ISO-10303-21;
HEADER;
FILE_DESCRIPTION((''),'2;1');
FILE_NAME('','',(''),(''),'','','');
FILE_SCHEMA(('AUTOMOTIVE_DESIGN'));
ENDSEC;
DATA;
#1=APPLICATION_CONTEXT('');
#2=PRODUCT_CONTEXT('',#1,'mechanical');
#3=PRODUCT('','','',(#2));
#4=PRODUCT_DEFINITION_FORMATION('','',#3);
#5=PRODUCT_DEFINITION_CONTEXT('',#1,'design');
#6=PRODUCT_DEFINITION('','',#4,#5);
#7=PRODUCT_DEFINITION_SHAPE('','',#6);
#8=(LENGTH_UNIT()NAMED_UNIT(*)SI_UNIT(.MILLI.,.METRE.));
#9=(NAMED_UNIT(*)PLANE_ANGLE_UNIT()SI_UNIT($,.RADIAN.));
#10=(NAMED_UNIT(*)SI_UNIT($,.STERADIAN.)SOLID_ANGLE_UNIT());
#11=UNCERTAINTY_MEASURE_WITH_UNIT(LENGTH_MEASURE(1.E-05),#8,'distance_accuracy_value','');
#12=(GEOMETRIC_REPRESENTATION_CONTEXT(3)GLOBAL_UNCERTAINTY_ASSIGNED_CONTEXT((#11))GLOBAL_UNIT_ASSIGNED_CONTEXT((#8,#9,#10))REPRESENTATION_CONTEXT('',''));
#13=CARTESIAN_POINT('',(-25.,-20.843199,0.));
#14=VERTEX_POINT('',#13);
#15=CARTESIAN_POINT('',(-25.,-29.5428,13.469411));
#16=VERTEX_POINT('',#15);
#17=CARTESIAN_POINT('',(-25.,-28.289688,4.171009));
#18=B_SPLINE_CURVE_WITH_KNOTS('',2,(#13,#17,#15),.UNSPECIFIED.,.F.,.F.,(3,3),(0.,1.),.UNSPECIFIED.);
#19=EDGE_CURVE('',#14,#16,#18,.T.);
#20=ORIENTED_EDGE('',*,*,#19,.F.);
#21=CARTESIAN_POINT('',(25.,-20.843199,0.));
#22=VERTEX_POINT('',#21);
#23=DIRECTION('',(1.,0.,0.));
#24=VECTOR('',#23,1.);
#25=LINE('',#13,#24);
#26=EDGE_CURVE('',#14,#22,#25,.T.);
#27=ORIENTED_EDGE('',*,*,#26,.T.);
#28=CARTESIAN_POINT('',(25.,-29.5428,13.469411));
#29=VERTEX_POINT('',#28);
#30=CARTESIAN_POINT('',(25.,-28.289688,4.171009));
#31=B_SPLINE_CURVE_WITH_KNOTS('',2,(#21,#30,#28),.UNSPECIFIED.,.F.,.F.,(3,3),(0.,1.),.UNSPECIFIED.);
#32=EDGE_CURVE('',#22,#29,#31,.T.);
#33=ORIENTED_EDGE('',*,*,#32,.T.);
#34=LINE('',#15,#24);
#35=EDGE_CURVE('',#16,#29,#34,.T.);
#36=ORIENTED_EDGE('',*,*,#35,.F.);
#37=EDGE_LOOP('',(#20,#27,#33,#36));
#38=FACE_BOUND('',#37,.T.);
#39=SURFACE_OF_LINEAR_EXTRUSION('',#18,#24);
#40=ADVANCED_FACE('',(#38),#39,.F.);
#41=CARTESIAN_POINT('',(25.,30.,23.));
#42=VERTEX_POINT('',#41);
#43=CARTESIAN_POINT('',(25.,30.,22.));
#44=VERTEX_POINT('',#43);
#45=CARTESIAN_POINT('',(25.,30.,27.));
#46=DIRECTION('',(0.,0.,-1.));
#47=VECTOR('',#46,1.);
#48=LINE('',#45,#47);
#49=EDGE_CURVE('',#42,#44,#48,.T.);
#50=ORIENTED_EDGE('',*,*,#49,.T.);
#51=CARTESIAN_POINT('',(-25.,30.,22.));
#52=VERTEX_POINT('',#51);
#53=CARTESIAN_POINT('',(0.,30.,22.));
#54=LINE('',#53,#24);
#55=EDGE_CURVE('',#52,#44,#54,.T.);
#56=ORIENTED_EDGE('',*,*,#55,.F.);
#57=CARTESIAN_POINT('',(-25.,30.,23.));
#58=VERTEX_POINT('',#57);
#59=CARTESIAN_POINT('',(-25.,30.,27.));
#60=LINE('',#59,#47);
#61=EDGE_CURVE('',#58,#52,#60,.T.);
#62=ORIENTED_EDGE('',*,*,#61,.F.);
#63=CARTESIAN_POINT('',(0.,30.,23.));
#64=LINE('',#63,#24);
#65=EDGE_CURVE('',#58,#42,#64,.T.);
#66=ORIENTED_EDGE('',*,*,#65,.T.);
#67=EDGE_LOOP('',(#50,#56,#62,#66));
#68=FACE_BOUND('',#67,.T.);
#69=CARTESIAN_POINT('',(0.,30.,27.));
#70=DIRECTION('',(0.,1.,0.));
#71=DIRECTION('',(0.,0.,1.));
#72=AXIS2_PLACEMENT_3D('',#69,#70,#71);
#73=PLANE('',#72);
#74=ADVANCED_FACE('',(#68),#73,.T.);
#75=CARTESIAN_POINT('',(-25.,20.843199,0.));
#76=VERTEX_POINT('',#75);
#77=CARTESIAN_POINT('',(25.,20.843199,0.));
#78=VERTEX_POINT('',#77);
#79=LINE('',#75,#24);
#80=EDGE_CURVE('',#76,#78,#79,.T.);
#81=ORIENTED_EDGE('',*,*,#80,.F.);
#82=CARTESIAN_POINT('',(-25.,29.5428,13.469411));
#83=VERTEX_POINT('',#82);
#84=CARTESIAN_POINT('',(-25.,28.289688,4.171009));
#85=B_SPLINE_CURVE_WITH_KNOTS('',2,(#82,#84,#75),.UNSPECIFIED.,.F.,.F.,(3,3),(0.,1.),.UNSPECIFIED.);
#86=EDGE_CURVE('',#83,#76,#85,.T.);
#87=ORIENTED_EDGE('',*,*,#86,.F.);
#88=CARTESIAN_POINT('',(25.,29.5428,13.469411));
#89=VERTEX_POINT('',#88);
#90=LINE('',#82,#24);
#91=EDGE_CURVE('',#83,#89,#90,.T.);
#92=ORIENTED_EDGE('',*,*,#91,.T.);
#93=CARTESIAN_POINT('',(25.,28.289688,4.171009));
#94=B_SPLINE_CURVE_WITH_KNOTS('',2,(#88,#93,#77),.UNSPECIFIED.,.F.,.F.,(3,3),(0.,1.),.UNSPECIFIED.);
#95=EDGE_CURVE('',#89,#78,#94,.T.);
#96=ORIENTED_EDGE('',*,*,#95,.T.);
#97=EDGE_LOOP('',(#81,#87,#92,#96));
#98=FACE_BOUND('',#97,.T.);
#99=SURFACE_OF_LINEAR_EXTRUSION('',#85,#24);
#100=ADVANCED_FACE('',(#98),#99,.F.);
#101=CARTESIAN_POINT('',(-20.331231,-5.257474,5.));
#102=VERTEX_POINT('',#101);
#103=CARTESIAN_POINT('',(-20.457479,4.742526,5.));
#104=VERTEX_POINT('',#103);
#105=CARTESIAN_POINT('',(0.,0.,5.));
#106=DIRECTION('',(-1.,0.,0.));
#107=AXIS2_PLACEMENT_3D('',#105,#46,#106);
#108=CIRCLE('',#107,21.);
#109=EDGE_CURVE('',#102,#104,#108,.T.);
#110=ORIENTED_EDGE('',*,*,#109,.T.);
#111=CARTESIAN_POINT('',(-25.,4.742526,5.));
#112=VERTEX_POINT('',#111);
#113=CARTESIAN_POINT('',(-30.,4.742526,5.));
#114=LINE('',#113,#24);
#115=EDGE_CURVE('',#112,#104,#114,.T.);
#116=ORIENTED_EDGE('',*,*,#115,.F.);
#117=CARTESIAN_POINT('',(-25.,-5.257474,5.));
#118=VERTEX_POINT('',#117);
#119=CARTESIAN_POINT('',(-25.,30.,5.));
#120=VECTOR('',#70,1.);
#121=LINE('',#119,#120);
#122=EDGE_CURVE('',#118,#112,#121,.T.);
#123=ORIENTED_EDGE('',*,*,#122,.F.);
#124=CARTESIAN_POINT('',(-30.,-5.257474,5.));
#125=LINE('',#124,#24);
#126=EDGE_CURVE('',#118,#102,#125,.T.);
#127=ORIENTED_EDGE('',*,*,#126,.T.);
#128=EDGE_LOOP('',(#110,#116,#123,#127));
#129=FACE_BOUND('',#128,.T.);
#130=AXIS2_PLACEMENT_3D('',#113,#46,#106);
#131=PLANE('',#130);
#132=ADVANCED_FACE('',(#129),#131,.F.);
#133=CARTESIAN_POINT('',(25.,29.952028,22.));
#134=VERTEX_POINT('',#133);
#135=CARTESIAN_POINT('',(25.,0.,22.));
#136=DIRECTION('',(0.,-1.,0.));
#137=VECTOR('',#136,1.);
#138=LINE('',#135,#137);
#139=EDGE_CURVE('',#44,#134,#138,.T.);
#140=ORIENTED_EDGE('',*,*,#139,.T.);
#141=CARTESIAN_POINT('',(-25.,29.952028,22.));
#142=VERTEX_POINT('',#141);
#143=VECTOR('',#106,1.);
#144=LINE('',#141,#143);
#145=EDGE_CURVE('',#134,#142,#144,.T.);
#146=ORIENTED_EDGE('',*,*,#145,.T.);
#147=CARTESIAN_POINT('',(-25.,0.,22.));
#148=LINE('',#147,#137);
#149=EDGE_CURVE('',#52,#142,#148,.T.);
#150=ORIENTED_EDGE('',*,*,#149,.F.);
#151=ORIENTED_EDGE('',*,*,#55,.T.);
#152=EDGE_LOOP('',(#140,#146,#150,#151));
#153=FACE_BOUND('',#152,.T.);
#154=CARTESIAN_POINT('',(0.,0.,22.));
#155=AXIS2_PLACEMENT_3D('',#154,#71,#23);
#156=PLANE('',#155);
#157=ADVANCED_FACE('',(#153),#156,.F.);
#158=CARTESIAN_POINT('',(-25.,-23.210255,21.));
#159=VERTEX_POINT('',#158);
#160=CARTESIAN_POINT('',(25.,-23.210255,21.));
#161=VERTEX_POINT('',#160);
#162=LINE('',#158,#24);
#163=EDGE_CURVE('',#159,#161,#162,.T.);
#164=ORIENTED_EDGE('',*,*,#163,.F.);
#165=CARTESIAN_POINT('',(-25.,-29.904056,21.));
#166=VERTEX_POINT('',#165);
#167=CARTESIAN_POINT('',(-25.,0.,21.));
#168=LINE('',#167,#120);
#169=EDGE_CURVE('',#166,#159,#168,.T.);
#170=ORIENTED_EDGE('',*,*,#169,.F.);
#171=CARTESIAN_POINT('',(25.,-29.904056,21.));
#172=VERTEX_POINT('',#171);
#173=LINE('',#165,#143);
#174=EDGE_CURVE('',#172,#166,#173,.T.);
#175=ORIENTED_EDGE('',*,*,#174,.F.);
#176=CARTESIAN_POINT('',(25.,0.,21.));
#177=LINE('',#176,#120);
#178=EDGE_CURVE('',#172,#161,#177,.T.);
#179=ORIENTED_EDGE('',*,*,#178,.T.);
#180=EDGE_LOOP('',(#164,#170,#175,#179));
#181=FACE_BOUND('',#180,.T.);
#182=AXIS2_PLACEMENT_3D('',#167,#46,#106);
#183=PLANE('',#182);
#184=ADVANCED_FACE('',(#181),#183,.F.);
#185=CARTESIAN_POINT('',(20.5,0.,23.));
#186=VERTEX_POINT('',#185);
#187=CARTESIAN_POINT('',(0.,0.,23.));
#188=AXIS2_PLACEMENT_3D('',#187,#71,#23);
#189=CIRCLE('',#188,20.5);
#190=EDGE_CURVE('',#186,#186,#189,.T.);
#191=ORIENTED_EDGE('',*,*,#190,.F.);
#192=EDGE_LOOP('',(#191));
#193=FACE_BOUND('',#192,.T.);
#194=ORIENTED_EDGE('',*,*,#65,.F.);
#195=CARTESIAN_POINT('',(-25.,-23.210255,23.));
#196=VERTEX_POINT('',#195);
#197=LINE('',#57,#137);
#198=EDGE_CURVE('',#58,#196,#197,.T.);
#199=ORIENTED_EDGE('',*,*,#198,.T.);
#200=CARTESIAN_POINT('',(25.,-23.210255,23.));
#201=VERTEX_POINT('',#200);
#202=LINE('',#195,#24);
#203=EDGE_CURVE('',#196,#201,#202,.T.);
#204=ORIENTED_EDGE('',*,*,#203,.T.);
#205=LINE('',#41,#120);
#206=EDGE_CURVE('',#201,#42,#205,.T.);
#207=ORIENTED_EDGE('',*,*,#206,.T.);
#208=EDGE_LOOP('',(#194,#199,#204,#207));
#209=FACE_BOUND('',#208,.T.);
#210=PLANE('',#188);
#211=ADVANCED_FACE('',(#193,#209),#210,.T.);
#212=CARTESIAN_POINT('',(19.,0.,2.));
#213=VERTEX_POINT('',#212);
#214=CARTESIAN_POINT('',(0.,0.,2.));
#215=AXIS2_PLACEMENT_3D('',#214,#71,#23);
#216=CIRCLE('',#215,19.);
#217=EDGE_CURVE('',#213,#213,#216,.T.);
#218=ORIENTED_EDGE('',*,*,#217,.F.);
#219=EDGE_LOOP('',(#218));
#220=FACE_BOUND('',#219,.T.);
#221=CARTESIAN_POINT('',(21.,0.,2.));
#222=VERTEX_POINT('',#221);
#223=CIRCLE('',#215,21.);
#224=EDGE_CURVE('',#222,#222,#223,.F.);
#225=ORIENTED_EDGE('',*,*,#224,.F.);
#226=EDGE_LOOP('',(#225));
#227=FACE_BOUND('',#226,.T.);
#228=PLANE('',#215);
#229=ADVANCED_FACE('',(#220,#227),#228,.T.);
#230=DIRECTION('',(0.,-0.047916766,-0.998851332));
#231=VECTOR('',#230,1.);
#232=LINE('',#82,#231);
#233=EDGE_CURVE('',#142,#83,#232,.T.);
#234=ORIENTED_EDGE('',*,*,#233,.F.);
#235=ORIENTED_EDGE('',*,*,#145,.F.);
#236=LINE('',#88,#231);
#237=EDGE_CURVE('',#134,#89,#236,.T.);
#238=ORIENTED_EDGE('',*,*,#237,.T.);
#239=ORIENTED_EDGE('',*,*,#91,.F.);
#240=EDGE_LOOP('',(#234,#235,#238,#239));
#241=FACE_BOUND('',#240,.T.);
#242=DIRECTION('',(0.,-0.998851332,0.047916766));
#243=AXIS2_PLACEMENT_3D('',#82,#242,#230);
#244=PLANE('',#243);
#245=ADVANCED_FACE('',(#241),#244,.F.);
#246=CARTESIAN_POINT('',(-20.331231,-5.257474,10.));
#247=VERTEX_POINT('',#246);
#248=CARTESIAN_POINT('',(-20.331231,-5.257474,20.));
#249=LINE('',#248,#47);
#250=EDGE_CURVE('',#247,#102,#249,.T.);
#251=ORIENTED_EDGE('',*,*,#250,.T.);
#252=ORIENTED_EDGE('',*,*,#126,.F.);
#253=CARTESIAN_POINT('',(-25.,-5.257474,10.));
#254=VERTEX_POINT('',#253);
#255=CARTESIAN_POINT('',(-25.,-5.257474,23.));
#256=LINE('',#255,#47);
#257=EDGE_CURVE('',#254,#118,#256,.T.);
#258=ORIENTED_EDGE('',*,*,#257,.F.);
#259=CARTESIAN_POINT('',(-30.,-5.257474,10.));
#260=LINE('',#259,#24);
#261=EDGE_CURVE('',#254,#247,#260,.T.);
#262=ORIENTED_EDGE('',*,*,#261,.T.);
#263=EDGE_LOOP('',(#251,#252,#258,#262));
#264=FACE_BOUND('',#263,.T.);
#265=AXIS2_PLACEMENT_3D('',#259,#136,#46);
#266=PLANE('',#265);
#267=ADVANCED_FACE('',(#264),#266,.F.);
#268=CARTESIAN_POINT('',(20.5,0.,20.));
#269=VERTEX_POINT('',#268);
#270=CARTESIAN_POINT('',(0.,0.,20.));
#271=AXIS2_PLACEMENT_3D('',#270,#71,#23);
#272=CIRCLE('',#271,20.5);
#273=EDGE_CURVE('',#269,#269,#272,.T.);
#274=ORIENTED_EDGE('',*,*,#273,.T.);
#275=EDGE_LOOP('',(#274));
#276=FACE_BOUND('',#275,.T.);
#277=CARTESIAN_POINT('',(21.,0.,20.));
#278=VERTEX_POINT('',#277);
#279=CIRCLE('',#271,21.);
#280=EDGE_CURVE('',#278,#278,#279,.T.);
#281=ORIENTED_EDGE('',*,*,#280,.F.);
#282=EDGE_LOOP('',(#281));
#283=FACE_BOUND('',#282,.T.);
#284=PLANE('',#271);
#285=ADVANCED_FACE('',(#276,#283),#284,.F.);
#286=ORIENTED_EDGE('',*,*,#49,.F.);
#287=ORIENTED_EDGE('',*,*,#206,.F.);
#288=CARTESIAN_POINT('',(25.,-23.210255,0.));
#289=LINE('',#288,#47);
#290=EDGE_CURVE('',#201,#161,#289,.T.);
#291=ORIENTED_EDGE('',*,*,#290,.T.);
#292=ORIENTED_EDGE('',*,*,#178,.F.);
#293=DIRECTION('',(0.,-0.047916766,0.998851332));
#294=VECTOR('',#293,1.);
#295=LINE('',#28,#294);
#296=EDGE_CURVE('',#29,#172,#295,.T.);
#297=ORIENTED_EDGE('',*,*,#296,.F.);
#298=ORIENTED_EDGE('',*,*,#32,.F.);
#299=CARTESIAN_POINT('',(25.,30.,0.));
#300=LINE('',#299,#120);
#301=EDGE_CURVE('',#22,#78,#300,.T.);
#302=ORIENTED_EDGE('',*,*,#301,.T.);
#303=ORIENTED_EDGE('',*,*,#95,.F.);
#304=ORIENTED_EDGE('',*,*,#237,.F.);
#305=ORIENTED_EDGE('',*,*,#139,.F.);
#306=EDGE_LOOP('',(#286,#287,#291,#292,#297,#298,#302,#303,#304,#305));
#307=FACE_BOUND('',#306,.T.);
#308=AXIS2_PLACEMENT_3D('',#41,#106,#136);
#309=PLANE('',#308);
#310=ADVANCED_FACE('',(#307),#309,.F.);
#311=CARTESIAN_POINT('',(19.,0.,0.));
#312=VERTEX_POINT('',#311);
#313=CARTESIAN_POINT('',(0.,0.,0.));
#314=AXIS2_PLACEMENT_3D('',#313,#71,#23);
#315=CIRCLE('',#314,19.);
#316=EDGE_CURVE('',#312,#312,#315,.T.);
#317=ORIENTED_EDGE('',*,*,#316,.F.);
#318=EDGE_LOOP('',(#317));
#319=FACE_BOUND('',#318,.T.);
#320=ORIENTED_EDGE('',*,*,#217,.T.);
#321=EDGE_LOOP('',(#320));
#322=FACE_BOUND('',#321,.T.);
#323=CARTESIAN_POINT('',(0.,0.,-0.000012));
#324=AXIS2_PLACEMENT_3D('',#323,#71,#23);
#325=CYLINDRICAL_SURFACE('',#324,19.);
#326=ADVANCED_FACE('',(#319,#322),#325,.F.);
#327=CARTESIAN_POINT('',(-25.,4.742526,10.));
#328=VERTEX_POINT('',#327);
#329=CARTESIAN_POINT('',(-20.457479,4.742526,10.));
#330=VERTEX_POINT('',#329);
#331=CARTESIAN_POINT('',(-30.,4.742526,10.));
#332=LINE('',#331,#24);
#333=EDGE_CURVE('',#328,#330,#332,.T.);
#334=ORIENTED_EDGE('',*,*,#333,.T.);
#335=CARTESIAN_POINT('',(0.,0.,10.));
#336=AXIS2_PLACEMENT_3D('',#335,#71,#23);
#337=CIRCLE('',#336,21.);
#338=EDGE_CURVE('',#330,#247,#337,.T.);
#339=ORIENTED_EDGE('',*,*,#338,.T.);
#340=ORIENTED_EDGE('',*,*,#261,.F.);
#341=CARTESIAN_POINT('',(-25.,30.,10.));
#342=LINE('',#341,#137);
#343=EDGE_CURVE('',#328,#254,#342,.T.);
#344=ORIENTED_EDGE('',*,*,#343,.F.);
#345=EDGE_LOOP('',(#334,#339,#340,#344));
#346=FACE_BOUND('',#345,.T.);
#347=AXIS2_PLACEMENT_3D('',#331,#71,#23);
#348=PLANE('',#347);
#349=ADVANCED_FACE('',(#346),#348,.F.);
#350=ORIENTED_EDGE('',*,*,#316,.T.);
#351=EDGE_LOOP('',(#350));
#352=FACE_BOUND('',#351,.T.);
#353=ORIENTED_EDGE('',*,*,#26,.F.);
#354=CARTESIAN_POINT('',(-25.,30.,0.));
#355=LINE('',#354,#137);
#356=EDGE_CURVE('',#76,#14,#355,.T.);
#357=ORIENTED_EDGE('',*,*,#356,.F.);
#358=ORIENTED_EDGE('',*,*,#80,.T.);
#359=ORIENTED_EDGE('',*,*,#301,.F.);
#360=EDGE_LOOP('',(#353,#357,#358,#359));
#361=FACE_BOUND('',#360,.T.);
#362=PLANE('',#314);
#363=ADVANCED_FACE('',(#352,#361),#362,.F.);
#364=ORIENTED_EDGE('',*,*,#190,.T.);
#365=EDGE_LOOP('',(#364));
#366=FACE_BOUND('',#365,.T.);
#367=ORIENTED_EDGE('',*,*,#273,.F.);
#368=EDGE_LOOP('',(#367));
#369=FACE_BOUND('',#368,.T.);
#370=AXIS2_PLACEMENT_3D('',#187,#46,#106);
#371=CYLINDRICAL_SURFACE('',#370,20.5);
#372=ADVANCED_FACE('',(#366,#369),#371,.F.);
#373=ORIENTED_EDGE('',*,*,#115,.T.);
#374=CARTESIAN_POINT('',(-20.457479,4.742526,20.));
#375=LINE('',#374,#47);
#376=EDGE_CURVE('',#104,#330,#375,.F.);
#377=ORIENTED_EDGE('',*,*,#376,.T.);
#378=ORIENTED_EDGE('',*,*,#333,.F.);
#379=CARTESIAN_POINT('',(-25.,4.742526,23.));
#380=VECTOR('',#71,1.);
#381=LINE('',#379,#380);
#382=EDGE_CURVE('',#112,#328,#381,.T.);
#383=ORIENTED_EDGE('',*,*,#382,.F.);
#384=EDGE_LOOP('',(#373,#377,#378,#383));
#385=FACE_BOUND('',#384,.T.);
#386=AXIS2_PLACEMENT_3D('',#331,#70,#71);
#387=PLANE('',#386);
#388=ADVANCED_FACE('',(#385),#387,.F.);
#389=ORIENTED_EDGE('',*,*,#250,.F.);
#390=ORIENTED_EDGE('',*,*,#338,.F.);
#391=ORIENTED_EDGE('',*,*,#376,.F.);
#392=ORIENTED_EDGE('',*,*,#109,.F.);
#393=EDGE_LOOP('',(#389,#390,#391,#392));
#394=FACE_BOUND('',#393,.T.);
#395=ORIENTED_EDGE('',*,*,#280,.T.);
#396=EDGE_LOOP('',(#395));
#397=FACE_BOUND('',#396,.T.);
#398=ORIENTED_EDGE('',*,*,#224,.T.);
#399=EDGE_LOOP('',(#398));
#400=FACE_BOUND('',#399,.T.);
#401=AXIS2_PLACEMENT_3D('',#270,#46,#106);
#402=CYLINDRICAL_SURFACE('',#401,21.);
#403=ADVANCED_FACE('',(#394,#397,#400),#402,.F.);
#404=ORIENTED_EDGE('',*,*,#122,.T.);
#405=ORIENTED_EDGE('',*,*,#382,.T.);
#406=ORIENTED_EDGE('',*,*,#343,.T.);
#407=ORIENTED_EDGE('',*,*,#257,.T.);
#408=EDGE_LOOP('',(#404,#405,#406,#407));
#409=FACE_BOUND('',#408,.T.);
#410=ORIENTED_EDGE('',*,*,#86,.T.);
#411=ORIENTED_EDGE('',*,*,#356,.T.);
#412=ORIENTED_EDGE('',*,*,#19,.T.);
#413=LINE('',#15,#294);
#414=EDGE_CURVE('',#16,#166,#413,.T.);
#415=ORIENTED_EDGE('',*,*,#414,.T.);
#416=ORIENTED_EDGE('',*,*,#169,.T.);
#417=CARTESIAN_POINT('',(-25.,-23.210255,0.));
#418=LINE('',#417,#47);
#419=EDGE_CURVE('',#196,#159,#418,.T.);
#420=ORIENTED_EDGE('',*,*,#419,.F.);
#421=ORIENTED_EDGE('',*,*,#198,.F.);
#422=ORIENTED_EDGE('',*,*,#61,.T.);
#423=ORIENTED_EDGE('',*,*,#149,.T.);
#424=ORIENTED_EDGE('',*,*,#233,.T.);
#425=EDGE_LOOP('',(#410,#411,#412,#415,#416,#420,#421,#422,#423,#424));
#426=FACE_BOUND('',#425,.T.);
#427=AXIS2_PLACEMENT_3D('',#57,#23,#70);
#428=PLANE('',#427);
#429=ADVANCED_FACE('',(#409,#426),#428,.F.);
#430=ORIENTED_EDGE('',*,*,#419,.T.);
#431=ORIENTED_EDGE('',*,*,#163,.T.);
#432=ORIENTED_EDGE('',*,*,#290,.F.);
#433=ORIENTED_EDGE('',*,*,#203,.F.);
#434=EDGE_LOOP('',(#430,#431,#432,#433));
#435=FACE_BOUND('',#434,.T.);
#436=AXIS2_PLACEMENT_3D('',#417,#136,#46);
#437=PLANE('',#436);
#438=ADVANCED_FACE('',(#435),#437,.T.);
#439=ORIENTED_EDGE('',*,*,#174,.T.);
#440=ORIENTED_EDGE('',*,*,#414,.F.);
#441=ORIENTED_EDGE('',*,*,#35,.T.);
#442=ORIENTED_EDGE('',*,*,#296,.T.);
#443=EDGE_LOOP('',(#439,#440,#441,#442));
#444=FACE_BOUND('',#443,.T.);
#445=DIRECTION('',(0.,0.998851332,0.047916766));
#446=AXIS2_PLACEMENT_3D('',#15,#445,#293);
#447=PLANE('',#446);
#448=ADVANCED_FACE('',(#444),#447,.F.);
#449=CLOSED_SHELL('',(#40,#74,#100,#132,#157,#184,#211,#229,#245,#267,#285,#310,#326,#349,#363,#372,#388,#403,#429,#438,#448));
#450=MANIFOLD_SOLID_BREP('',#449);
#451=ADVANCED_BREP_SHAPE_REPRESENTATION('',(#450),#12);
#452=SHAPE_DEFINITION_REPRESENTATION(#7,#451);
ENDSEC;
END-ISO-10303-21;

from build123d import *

# Parameters (mm, degrees)
SKETCH2_R                = 21
SKETCH2_R_2              = 18
BOSS_EXTRUDE1_DEPTH      = 2
SKETCH3_R                = 23
SKETCH3_R_2              = 21
BOSS_EXTRUDE2_DEPTH      = 20
BOSS_EXTRUDE4_START      = 20
SKETCH5_W                = 50
SKETCH5_H                = 60
BOSS_EXTRUDE4_DEPTH      = 3
CUT_EXTRUDE5_START       = 20
SKETCH6_R                = 22
CUT_EXTRUDE5_DEPTH       = 5
BOSS_EXTRUDE5_START      = 20
SKETCH7_R                = 22
SKETCH7_R_2              = 20.5
BOSS_EXTRUDE5_DEPTH      = 3
SKETCH11_W               = 50
SKETCH11_H               = 60
SKETCH11_R               = 23
BOSS_EXTRUDE13_DEPTH     = 20
CUT_EXTRUDE8_DEPTH       = 26
CUT_EXTRUDE8_DEPTH_BACK  = 26
SKETCH14_W               = 5
SKETCH14_H               = 10
CUT_EXTRUDE9_DEPTH       = 30
BOSS_EXTRUDE14_START     = 22
SKETCH16_W               = 50
SKETCH16_H               = 53.9
SKETCH16_R               = 21
BOSS_EXTRUDE14_DEPTH     = 5
CUT_EXTRUDE10_DEPTH      = 26.0000001
CUT_EXTRUDE10_DEPTH_BACK = 26.0000001
SKETCH18_W               = 2
SKETCH18_H               = 6.789744693
CUT_EXTRUDE11_DEPTH      = 26.0000001
CUT_EXTRUDE11_DEPTH_BACK = 26.0000001
SKETCH19_R               = 19
SKETCH19_R_2             = 18
CUT_EXTRUDE13_DEPTH      = 24.0000001
CUT_EXTRUDE13_DEPTH_BACK = 1.0000001


with BuildPart() as part:
    # Sketch2 → Boss-Extrude1 (new body)
    with BuildSketch(Plane.XY):
        Circle(SKETCH2_R)
        Circle(SKETCH2_R_2, mode=Mode.SUBTRACT)
    extrude(amount=BOSS_EXTRUDE1_DEPTH)

    # Sketch3 → Boss-Extrude2 (add)
    with BuildSketch(Plane.XY):
        Circle(SKETCH3_R)
        Circle(SKETCH3_R_2, mode=Mode.SUBTRACT)
    extrude(amount=BOSS_EXTRUDE2_DEPTH)

    # Sketch5 → Boss-Extrude4 (add)
    with BuildSketch(Plane.XY.offset(BOSS_EXTRUDE4_START)):
        Rectangle(SKETCH5_W, SKETCH5_H)
    extrude(amount=BOSS_EXTRUDE4_DEPTH)

    # Sketch6 → Cut-Extrude5 (cut)
    with BuildSketch(Plane.XY.offset(CUT_EXTRUDE5_START)):
        Circle(SKETCH6_R)
    extrude(amount=CUT_EXTRUDE5_DEPTH, mode=Mode.SUBTRACT)

    # Sketch7 → Boss-Extrude5 (add)
    with BuildSketch(Plane.XY.offset(BOSS_EXTRUDE5_START)):
        Circle(SKETCH7_R)
        Circle(SKETCH7_R_2, mode=Mode.SUBTRACT)
    extrude(amount=BOSS_EXTRUDE5_DEPTH)

    # Sketch11 → Boss-Extrude13 (add)
    with BuildSketch(Plane.XY):
        Rectangle(SKETCH11_W, SKETCH11_H)
        Circle(SKETCH11_R, mode=Mode.SUBTRACT)
    extrude(amount=BOSS_EXTRUDE13_DEPTH)

    # Sketch13 → Cut-Extrude8 (cut, two sides)
    with BuildSketch(Plane(origin=(0, 0, 0), x_dir=(0, 0, -1), z_dir=(1, 0, 0))) as cut_extrude8_sk:
        with BuildLine():
            Line((-13.469410681, 29.542799808), (-23, 30))
            Line((-23, 30), (-23, 33.892869883))
            Line((-23, 33.892869883), (0, 33.892869883))
            Line((0, 33.892869883), (0, 20.84319904))
            add(Edge.make_bspline(
                [(0, 20.84319904), (-4.171009324, 28.289688325), (-13.469410681, 29.542799808)],
                knots=[0, 0, 0, 1, 1, 1], degree=2))
        make_face()
        with BuildLine():
            Line((-23, -33.892869883), (-23, -30))
            Line((-23, -30), (-13.469410681, -29.542799808))
            add(Edge.make_bspline(
                [(0, -20.84319904), (-4.171009324, -28.289688325), (-13.469410681, -29.542799808)],
                knots=[0, 0, 0, 1, 1, 1], degree=2))
            Line((0, -20.84319904), (0, -33.892869883))
            Line((0, -33.892869883), (-23, -33.892869883))
        make_face()
    extrude(amount=CUT_EXTRUDE8_DEPTH, mode=Mode.SUBTRACT)
    extrude(cut_extrude8_sk.sketch, amount=-CUT_EXTRUDE8_DEPTH_BACK, mode=Mode.SUBTRACT)

    # Sketch14 → Cut-Extrude9 (cut)
    with BuildSketch(Plane(origin=(0, 0, 0), x_dir=(0, 0, -1), z_dir=(1, 0, 0))):
        with Locations((-7.5, -0.257473708)):
            Rectangle(SKETCH14_W, SKETCH14_H)
    extrude(amount=-CUT_EXTRUDE9_DEPTH, mode=Mode.SUBTRACT)

    # Sketch16 → Boss-Extrude14 (add)
    with BuildSketch(Plane.XY.offset(BOSS_EXTRUDE14_START)):
        with Locations((0, 3.05)):
            Rectangle(SKETCH16_W, SKETCH16_H)
        Circle(SKETCH16_R, mode=Mode.SUBTRACT)
    extrude(amount=BOSS_EXTRUDE14_DEPTH)

    # Sketch17 → Cut-Extrude10 (cut, two sides)
    with BuildSketch(Plane(origin=(0, 0, 0), x_dir=(0, 0, -1), z_dir=(1, 0, 0))) as cut_extrude10_sk:
        Polygon((-23, -23.9), (-23, 0), (-23, 35.597390388), (-27, 35.597390388), (-27, -23.9), align=None)
    extrude(amount=CUT_EXTRUDE10_DEPTH, mode=Mode.SUBTRACT)
    extrude(cut_extrude10_sk.sketch, amount=-CUT_EXTRUDE10_DEPTH_BACK, mode=Mode.SUBTRACT)

    # Sketch18 → Cut-Extrude11 (cut, two sides)
    with BuildSketch(Plane(origin=(0, 0, 0), x_dir=(0, 0, -1), z_dir=(1, 0, 0))) as cut_extrude11_sk:
        with Locations((-22, -26.605127654)):
            Rectangle(SKETCH18_W, SKETCH18_H)
    extrude(amount=CUT_EXTRUDE11_DEPTH, mode=Mode.SUBTRACT)
    extrude(cut_extrude11_sk.sketch, amount=-CUT_EXTRUDE11_DEPTH_BACK, mode=Mode.SUBTRACT)

    # Sketch19 → Cut-Extrude13 (cut, two sides)
    with BuildSketch(Plane.XY) as cut_extrude13_sk:
        Circle(SKETCH19_R)
        Circle(SKETCH19_R_2, mode=Mode.SUBTRACT)
    extrude(amount=CUT_EXTRUDE13_DEPTH, mode=Mode.SUBTRACT)
    extrude(cut_extrude13_sk.sketch, amount=-CUT_EXTRUDE13_DEPTH_BACK, mode=Mode.SUBTRACT)


solid = part.part
